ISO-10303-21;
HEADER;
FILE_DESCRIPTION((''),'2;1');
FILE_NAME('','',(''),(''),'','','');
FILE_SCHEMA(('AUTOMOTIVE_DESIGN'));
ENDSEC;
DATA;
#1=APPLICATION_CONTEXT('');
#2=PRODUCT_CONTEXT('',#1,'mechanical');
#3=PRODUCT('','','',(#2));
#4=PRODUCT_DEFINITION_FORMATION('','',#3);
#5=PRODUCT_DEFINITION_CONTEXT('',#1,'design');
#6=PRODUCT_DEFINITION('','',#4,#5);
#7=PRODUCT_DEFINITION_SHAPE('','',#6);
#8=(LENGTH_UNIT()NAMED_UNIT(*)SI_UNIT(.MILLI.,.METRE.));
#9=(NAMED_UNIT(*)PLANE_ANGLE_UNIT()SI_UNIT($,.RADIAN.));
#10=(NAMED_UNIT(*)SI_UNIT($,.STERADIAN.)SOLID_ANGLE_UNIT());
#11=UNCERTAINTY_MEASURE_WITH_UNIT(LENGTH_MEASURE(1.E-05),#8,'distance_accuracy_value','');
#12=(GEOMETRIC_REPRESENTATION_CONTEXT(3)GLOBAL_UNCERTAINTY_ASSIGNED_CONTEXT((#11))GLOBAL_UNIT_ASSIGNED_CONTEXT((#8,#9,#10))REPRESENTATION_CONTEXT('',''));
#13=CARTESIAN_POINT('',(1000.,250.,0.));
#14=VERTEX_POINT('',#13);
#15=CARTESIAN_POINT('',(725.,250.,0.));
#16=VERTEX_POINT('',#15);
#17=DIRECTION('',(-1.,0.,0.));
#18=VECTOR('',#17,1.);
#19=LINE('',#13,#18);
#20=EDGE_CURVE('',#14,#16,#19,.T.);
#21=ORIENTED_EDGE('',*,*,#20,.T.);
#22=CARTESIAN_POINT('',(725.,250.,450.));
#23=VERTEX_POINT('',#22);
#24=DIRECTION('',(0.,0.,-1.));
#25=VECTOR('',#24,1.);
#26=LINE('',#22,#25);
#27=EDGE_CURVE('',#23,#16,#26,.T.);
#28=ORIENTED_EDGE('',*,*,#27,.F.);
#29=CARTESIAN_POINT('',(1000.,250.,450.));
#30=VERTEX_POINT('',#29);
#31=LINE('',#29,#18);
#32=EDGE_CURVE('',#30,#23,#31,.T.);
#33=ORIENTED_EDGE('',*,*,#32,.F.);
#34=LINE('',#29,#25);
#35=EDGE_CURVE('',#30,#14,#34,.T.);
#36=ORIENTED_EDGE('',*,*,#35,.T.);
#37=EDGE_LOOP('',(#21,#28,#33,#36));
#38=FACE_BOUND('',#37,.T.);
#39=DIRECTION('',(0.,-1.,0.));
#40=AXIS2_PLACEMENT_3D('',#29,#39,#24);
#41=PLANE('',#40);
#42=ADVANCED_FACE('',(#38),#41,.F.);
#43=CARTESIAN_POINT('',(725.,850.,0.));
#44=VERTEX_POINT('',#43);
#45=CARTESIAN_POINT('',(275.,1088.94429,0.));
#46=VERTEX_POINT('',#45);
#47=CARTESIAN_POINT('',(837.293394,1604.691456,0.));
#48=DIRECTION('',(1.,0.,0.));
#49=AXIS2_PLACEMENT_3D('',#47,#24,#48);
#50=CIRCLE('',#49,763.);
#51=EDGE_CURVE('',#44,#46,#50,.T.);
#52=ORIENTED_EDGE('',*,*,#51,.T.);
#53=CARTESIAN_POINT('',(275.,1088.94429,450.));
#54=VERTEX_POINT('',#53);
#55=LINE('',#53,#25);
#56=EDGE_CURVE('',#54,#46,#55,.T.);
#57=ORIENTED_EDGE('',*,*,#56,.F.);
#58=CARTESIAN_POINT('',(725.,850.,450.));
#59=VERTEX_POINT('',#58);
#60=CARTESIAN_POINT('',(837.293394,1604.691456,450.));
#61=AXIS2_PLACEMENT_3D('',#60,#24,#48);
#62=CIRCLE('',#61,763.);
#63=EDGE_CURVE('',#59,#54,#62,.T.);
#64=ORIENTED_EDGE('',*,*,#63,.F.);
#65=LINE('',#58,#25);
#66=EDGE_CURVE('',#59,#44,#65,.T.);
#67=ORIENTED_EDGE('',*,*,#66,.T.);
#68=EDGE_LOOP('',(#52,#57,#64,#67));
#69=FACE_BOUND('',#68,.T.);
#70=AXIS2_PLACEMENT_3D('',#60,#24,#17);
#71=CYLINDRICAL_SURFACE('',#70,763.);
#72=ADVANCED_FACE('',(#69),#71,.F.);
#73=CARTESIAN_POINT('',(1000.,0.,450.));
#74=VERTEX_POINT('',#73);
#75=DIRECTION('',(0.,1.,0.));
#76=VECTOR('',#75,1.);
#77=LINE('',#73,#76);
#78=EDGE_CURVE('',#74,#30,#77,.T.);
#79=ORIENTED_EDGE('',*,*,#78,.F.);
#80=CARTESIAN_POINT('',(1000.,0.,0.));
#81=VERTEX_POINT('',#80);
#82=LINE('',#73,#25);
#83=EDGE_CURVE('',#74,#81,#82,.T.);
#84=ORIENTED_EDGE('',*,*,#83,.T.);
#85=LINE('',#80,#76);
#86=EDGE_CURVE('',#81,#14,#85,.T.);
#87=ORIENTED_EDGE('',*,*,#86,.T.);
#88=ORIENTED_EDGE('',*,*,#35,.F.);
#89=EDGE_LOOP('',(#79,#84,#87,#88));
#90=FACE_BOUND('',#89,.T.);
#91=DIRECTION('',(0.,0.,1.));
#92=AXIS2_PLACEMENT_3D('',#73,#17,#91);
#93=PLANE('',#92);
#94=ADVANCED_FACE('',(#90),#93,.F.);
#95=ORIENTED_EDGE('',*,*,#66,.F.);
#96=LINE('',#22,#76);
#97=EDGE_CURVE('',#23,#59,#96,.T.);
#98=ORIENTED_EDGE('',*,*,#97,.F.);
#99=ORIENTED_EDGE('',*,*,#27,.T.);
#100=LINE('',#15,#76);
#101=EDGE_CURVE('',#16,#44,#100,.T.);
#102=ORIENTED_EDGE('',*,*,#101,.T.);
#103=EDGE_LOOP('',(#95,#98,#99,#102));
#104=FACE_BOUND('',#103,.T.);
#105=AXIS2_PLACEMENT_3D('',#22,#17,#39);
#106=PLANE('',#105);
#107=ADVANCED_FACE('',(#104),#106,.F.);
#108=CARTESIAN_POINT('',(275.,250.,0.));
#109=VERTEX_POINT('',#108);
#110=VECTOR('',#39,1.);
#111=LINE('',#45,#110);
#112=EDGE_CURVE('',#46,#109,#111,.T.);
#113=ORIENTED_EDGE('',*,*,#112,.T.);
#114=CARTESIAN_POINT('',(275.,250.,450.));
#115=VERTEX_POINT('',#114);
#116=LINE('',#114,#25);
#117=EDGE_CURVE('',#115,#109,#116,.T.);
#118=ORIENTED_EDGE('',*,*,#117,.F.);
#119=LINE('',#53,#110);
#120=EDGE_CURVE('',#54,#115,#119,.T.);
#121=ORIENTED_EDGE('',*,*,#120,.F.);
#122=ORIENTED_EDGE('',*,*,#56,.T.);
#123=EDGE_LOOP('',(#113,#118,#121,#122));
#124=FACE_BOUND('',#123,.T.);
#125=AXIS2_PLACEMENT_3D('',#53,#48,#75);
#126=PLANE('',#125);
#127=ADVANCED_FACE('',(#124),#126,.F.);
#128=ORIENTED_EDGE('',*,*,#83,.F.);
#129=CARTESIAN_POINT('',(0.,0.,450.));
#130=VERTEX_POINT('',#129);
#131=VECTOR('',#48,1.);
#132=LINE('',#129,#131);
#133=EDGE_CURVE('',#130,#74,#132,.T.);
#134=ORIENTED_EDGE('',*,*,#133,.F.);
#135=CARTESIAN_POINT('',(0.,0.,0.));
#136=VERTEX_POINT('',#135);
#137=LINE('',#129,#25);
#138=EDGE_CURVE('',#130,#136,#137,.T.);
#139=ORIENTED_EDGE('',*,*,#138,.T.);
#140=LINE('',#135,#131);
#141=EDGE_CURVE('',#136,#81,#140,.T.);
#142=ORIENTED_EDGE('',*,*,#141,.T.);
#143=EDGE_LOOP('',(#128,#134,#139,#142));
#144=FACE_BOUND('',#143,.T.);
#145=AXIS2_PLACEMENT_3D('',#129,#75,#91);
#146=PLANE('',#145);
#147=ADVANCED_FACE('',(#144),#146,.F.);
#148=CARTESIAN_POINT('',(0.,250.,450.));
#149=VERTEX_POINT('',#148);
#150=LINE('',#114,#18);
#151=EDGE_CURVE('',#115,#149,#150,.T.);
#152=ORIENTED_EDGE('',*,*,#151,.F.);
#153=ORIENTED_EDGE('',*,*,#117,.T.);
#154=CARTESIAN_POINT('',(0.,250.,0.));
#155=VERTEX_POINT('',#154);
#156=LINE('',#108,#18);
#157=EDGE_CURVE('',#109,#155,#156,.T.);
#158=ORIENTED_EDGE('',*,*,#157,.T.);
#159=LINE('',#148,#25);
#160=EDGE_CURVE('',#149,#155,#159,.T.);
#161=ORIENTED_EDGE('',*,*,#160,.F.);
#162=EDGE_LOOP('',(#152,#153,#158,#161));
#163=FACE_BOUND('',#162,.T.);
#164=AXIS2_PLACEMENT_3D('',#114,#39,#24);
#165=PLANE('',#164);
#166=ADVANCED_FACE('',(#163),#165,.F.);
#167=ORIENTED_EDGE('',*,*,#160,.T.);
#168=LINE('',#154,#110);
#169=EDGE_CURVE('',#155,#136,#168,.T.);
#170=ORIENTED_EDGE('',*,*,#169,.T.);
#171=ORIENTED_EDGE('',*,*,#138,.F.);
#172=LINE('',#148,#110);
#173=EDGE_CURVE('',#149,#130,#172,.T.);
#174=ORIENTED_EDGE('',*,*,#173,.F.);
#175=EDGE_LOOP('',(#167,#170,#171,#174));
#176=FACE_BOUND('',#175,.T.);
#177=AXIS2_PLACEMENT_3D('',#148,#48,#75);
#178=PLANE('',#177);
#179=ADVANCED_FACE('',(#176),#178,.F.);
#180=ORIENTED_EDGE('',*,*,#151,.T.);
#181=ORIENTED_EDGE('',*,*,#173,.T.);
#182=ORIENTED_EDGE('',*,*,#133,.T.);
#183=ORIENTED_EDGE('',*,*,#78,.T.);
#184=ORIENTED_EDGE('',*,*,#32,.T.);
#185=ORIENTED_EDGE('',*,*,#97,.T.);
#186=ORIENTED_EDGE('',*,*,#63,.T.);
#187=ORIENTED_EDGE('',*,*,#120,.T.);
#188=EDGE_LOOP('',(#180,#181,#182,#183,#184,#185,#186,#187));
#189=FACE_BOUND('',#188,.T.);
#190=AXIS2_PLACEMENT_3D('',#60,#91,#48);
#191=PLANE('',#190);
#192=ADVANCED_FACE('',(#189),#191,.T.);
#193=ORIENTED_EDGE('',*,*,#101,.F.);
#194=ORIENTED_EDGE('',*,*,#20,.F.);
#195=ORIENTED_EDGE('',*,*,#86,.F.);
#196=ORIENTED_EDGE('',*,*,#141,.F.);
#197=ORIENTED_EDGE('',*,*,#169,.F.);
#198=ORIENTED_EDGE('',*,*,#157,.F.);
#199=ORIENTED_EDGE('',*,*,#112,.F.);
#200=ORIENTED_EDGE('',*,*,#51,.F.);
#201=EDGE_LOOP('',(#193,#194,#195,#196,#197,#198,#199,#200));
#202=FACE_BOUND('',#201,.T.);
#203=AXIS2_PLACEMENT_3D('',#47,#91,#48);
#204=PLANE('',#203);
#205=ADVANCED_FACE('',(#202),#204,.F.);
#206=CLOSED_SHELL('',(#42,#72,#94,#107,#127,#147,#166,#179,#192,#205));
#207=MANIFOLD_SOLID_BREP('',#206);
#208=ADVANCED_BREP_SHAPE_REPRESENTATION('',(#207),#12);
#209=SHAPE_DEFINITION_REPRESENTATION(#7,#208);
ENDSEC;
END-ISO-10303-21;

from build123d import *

# Parameters (mm, degrees)
BOSS_EXTRUDE1_DEPTH = 450


with BuildPart() as part:
    # Sketch1 → Boss-Extrude1 (new body)
    with BuildSketch(Plane.XY):
        with BuildLine():
            Line((275, 1088.944290226), (275, 250))
            Line((275, 250), (0, 250))
            Line((0, 250), (0, 0))
            Line((0, 0), (1000, 0))
            Line((1000, 0), (1000, 250))
            Line((1000, 250), (725, 250))
            Line((725, 250), (725, 850))
            ThreePointArc((725, 850), (479.466023486, 930.800832137), (275, 1088.944290226))
        make_face()
    extrude(amount=BOSS_EXTRUDE1_DEPTH)


solid = part.part
